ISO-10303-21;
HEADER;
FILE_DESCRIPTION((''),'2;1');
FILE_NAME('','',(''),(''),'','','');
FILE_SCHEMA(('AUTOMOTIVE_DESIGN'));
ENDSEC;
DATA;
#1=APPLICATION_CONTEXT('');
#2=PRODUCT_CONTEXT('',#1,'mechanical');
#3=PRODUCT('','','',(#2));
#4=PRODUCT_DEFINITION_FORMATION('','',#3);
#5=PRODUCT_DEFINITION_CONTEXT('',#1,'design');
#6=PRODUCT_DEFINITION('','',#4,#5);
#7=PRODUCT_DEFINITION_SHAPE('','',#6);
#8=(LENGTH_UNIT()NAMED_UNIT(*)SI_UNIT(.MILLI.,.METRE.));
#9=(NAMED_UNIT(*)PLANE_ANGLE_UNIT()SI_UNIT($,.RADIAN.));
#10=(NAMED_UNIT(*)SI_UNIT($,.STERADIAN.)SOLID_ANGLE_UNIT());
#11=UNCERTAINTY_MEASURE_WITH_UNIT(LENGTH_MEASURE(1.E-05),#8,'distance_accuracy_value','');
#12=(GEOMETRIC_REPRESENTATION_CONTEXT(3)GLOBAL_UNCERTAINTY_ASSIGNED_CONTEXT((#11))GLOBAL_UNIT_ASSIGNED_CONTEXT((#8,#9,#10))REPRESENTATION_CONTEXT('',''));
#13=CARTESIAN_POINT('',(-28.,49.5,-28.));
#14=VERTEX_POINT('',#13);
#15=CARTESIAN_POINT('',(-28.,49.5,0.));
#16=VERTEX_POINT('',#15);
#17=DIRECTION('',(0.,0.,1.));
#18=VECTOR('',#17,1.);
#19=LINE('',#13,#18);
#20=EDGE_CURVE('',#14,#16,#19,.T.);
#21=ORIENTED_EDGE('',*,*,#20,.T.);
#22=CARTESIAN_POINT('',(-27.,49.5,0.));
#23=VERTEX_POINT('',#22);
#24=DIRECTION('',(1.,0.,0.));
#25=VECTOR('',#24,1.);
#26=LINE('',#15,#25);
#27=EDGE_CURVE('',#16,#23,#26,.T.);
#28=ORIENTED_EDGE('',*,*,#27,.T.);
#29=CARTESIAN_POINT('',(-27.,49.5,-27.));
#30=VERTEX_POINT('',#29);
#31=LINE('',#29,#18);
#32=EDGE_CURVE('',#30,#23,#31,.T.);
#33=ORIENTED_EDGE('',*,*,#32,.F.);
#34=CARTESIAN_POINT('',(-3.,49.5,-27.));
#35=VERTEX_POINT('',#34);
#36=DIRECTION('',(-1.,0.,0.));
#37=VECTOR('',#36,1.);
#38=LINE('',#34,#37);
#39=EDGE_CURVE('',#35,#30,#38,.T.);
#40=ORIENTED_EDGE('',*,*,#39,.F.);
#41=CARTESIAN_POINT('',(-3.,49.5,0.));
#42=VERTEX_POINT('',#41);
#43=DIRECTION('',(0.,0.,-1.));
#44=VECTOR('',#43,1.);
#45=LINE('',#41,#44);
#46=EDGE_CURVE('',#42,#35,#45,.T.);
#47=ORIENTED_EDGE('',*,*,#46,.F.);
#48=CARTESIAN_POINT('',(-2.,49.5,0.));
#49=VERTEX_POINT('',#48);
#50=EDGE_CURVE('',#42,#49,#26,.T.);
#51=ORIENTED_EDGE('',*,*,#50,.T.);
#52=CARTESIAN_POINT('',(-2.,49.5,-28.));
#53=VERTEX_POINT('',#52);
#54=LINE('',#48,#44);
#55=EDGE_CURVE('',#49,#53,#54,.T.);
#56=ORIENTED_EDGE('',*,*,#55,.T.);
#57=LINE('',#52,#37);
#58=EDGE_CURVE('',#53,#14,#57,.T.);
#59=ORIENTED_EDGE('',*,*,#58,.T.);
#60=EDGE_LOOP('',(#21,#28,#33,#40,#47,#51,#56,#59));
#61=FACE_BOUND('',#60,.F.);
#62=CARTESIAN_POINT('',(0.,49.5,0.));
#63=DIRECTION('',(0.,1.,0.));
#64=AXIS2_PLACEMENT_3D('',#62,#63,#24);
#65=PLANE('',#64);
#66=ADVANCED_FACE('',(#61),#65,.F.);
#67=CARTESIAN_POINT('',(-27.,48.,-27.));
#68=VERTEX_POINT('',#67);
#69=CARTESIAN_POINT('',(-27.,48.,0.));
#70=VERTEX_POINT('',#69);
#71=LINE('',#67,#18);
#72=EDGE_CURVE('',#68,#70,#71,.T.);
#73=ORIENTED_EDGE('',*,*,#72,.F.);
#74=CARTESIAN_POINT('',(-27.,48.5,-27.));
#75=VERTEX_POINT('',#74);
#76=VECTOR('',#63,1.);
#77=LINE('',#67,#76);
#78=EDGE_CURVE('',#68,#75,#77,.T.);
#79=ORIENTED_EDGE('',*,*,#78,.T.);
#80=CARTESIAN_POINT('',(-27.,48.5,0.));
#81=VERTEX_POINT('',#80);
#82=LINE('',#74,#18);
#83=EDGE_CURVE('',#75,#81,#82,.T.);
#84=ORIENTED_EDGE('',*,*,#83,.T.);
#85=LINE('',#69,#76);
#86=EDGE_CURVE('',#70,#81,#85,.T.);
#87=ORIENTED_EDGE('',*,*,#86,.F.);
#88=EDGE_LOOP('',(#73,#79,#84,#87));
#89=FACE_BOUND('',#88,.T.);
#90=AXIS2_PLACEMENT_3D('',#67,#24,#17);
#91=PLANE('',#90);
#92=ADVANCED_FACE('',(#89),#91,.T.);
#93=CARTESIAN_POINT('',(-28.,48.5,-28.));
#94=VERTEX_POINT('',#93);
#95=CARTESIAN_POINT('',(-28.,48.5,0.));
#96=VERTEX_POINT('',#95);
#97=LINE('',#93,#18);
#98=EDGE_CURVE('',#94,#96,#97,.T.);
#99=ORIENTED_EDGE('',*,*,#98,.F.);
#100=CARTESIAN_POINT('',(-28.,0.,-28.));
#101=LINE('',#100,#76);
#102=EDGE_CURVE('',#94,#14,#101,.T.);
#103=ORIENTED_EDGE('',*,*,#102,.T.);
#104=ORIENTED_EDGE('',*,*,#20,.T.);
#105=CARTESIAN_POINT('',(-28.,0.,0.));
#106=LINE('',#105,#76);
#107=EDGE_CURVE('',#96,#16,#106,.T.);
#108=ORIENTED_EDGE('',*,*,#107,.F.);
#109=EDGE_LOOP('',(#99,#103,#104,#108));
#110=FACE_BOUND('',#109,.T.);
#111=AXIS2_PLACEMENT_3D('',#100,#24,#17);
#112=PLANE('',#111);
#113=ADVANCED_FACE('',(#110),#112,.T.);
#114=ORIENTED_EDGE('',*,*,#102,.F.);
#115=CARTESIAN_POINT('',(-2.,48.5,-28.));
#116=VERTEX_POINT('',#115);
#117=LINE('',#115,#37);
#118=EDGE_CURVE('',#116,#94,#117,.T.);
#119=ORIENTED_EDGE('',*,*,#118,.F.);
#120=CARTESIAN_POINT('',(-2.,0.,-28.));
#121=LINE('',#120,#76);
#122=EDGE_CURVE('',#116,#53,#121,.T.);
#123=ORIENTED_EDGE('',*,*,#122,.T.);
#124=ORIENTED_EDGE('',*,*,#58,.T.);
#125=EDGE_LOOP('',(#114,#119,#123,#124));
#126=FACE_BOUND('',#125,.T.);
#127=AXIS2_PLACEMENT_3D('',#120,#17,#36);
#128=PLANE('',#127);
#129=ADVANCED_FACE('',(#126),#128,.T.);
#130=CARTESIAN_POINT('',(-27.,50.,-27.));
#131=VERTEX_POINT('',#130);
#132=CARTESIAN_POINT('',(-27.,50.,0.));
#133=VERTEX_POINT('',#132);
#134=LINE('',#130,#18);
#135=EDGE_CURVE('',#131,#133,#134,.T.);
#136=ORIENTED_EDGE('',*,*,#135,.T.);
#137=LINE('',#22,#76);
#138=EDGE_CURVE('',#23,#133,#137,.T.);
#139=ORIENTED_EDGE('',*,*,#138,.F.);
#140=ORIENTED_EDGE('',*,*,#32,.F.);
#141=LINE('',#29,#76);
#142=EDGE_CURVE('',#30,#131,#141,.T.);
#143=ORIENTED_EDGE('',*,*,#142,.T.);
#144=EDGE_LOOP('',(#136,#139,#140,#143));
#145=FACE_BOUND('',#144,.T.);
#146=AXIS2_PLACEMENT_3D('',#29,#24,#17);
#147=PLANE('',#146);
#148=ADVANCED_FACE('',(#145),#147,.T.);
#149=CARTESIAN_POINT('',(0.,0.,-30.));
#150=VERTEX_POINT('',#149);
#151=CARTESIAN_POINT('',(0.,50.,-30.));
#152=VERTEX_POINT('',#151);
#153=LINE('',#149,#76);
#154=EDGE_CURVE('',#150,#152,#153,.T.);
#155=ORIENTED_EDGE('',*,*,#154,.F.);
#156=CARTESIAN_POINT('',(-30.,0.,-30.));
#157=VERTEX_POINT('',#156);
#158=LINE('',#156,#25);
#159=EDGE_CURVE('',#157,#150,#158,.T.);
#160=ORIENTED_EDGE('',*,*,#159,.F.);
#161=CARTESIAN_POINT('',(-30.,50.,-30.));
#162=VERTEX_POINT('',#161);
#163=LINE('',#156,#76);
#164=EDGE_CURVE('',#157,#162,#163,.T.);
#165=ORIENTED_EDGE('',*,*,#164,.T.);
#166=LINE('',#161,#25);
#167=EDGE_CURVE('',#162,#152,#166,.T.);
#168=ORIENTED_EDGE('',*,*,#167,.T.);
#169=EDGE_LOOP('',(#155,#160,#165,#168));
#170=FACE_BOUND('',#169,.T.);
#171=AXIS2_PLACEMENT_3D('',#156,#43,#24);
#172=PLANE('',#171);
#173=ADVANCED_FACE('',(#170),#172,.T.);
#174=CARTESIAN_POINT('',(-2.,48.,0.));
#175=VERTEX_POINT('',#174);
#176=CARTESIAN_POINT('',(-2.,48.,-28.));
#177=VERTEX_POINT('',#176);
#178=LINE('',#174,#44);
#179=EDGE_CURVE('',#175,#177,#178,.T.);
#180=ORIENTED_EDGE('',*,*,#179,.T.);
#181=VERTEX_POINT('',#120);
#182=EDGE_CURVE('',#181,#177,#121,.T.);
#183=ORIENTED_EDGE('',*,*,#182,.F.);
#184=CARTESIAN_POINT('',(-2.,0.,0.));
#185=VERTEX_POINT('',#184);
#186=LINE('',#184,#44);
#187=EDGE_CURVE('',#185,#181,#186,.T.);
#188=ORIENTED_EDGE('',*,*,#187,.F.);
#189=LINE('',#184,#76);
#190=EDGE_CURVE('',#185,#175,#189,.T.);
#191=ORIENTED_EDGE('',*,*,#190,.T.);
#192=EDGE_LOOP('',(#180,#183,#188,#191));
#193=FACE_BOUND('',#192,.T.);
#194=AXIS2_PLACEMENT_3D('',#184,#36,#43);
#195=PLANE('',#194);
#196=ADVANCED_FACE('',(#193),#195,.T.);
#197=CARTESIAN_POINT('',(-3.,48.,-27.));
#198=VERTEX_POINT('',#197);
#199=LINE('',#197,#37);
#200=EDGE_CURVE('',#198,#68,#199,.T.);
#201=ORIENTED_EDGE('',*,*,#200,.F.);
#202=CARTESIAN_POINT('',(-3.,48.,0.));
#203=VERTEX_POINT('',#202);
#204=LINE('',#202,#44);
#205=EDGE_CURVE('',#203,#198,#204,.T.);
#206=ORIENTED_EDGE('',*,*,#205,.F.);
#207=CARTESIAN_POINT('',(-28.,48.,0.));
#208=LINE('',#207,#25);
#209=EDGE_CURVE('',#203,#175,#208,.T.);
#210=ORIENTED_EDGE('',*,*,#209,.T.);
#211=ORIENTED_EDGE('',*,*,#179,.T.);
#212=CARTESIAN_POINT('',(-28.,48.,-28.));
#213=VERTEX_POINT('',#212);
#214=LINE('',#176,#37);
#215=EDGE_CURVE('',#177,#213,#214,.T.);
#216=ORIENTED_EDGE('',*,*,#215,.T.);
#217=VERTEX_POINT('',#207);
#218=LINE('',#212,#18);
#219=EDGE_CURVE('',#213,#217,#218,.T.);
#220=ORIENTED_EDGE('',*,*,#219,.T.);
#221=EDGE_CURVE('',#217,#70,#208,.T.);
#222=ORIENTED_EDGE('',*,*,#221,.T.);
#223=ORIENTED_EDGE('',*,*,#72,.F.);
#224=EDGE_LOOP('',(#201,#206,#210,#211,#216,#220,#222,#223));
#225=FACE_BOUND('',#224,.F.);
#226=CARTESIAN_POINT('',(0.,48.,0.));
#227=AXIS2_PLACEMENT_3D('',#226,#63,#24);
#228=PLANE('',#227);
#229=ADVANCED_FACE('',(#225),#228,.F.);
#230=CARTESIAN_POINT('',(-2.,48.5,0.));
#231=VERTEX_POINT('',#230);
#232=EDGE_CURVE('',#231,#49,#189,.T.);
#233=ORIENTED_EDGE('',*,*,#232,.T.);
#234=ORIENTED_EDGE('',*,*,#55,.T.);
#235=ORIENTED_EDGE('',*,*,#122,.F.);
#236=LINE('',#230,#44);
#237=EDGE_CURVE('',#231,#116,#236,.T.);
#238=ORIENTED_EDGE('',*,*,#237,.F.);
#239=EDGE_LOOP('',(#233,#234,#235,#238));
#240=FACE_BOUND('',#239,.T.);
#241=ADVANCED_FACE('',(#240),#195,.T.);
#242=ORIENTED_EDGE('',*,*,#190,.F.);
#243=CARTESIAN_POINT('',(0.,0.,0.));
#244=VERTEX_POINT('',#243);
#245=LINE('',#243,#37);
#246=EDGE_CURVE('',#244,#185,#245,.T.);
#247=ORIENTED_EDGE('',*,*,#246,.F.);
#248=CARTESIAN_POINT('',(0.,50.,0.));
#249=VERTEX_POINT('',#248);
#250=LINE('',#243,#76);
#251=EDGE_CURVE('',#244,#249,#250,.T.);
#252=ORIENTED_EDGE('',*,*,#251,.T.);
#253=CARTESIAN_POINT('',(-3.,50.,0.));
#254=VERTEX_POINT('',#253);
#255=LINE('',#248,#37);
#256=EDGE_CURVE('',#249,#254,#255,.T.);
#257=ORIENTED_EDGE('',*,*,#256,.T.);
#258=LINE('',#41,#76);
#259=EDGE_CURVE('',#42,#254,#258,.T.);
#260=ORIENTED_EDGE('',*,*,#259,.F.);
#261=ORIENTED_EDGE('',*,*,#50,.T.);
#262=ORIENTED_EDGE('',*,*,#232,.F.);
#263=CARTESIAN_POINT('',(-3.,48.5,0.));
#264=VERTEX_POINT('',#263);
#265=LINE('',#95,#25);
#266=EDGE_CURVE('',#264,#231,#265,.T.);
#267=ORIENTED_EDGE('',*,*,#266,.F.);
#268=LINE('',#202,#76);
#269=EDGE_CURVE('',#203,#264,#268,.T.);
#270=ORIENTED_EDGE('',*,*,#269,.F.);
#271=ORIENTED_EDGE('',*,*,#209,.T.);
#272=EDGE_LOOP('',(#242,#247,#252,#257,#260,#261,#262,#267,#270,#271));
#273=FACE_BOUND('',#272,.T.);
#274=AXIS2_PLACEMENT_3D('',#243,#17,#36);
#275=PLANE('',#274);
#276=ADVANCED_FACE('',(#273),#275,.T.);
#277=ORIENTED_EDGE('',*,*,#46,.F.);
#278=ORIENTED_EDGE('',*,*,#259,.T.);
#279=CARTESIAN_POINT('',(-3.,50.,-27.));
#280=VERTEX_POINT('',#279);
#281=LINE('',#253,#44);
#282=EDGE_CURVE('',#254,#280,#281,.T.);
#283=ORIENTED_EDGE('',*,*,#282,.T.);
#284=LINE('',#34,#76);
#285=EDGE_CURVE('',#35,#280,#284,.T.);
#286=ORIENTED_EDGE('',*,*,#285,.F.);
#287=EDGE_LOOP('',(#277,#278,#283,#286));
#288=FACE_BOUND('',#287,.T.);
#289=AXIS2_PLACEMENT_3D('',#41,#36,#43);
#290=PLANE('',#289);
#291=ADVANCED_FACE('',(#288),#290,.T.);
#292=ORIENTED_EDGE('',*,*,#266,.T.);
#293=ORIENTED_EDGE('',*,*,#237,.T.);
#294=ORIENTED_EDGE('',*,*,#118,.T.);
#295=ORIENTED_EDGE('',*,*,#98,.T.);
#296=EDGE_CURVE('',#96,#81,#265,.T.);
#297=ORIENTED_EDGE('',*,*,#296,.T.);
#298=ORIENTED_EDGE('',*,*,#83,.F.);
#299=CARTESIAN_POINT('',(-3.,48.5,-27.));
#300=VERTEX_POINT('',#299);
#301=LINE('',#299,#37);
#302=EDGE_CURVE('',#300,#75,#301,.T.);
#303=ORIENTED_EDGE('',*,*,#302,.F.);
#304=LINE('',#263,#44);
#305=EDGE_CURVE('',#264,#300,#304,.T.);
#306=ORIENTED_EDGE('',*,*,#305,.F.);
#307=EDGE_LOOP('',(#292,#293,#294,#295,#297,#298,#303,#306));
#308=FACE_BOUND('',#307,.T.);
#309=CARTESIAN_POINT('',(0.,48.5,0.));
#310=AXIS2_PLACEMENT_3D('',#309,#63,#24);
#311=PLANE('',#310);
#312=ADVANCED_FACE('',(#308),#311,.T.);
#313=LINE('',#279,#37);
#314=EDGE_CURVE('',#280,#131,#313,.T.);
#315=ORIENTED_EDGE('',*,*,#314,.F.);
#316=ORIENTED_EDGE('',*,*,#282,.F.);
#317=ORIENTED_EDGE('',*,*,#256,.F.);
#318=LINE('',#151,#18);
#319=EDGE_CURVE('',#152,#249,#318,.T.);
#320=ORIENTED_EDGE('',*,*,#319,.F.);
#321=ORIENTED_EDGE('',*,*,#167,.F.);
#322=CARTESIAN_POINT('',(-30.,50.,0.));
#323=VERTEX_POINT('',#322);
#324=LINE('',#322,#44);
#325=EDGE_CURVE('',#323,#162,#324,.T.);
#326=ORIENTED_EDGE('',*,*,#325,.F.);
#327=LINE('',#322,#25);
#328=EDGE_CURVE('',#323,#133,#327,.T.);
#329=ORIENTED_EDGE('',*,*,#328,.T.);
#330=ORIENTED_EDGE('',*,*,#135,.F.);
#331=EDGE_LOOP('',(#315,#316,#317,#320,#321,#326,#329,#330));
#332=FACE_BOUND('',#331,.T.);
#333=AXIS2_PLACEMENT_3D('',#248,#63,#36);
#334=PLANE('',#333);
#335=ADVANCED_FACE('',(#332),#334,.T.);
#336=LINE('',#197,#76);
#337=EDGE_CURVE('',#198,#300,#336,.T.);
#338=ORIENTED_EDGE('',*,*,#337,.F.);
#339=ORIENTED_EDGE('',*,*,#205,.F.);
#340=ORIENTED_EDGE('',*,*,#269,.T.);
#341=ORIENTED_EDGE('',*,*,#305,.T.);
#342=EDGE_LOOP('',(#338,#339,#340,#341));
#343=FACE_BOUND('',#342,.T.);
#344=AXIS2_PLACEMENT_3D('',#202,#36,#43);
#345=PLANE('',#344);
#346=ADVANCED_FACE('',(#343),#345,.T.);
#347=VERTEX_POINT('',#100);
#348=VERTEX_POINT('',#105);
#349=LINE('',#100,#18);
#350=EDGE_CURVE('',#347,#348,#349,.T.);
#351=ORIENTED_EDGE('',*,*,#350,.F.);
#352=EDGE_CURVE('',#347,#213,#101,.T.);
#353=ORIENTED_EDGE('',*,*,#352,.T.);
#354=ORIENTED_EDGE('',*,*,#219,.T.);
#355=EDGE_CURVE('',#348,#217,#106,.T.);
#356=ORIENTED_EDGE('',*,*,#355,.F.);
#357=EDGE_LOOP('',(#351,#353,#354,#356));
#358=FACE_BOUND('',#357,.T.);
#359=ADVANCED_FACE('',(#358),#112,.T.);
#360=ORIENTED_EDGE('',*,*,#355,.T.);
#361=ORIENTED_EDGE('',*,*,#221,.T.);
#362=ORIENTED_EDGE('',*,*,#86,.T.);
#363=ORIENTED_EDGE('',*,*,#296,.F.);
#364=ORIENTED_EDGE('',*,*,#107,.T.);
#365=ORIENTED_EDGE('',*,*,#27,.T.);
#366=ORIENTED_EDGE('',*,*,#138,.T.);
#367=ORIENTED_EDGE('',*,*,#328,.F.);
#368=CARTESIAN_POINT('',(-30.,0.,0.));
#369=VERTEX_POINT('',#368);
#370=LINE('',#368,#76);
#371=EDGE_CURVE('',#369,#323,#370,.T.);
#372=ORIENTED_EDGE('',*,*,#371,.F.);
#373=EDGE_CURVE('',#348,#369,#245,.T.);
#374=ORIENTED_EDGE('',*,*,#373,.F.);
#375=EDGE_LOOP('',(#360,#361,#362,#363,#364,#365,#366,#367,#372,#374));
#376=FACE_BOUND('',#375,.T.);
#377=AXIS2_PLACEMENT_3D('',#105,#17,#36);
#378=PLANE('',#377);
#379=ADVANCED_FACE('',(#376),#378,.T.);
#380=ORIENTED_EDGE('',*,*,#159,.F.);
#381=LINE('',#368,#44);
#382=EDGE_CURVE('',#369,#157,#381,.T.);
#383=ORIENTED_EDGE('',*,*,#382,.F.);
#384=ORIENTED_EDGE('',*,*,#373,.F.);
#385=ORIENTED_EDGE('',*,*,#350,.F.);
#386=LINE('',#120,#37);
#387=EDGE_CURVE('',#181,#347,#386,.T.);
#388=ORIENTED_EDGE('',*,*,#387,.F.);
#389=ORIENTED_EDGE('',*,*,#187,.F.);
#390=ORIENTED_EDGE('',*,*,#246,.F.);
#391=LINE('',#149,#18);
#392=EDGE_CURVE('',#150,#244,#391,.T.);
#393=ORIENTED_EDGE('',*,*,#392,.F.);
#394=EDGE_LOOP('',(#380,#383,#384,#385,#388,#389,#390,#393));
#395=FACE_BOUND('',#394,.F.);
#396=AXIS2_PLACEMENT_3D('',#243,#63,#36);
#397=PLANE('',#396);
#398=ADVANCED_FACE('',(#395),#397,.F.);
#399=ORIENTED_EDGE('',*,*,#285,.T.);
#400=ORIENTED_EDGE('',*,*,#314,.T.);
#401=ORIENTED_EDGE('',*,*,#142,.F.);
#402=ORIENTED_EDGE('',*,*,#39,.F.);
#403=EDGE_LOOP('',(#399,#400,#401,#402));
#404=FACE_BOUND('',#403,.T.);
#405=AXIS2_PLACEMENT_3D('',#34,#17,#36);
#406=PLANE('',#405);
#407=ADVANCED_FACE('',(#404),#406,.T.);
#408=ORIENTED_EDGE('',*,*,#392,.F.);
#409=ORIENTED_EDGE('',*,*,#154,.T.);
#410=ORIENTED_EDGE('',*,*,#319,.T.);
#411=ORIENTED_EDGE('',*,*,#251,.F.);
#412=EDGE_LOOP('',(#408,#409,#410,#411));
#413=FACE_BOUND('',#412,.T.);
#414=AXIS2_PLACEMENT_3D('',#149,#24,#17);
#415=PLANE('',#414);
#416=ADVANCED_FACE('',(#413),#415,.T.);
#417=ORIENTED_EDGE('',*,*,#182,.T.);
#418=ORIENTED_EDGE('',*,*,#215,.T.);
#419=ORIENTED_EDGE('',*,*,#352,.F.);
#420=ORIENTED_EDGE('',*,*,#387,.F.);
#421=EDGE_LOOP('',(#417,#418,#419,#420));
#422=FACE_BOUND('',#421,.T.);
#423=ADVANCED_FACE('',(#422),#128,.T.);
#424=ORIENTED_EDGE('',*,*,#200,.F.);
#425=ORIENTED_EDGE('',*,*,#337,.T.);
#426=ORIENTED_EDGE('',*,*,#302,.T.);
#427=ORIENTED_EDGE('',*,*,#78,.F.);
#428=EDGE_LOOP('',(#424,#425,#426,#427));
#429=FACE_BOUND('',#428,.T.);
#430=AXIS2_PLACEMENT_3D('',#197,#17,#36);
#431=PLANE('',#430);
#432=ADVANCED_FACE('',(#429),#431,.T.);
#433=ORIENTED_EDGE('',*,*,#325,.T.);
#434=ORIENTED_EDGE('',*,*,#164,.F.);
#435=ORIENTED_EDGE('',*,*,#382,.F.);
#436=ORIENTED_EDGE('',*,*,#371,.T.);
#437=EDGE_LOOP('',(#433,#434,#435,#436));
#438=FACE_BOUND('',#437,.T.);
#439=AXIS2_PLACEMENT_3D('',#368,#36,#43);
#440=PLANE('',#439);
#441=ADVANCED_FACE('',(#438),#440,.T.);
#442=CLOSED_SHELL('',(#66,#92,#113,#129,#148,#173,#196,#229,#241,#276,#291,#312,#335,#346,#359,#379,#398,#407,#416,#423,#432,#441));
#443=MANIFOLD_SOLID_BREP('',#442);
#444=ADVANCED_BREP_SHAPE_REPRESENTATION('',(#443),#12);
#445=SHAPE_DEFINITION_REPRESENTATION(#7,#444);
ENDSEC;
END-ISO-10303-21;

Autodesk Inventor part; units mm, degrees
ref_plane "YZ Plane" through (0, 0, 0) normal (1, 0, 0) x (0, 1, 0)
sketch "Esquisse1" plane through (0, 0, 0) normal (0, 1, 0) x (-1, 0, 0)
  line L0 (0, 0) -> (30, 0)
  line L1 (30, 0) -> (30, -30)
  line L2 (30, -30) -> (0, -30)
  line L3 (0, -30) -> (0, 0)
  line L4 (28, 0) -> (0, 0)
  line L5 (0, 0) -> (0, -198)
  line L6 (28, 0) -> (2, 0)
  line L7 (2, 0) -> (2, -28)
  line L8 (2, -28) -> (28, -28)
  line L9 (28, -28) -> (28, 0)
  dimension "d0" = 30
  dimension "d1" = 30
  dimension "d4" = 2
  dimension "d5" = 2
  dimension "d6" = 2
extrude "Extrusion1" add sketch "Esquisse1" along normal blind 50 contours L0 L7 L8 L9 L1 L2 L3
sketch "Esquisse2" plane through (0, 50, 0) normal (0, 1, 0) x (1, 0, 0)
  point P0 (0, 0)
  point P1 (-28, 0)
  point P2 (-2, 28)
ref_plane "Plan de construction1" through (0, 49.5, 0) normal (0, 1, 0) x (1, 0, 0)
ref_plane "Plan de construction2" through (0, 48, 0) normal (0, 1, 0) x (1, 0, 0)
sketch "Esquisse3" plane through (0, 49.5, 0) normal (0, 1, 0) x (1, 0, 0)
  line L0 (-28, 0) -> (-2, 0)
  line L1 (-2, 0) -> (-2, 28)
  line L2 (-2, 28) -> (-28, 28)
  line L3 (-28, 28) -> (-28, 0)
  line L4 (-27, 0) -> (-3, 0)
  line L5 (-3, 0) -> (-3, 27)
  line L6 (-3, 27) -> (-27, 27)
  line L7 (-27, 27) -> (-27, 0)
  point P0 (0, 0)
  dimension "d14" = 27
  dimension "d15" = 1
  dimension "d16" = 1
  dimension "d17" = 1
extrude "Extrusion2" add sketch "Esquisse3" along normal blind 0.5 contours L3 L2 L1 L0 L5 L6 L7
sketch "Esquisse4" plane through (0, 48, 0) normal (0, 1, 0) x (1, 0, 0)
  line L0 (-27, 0) -> (-3, 0)
  line L1 (-3, 0) -> (-3, 27)
  line L2 (-3, 27) -> (-27, 27)
  line L3 (-27, 27) -> (-27, 0)
  line L4 (-28, 0) -> (-2, 0)
  line L5 (-2, 0) -> (-2, 28)
  line L6 (-2, 28) -> (-28, 28)
  line L7 (-28, 28) -> (-28, 0)
  point P0 (0, 0)
extrude "Extrusion3" add sketch "Esquisse4" along normal blind 0.5 contours L4 L7 L6 L5 L1 L2 L3
properties part number "Pièce carré"
